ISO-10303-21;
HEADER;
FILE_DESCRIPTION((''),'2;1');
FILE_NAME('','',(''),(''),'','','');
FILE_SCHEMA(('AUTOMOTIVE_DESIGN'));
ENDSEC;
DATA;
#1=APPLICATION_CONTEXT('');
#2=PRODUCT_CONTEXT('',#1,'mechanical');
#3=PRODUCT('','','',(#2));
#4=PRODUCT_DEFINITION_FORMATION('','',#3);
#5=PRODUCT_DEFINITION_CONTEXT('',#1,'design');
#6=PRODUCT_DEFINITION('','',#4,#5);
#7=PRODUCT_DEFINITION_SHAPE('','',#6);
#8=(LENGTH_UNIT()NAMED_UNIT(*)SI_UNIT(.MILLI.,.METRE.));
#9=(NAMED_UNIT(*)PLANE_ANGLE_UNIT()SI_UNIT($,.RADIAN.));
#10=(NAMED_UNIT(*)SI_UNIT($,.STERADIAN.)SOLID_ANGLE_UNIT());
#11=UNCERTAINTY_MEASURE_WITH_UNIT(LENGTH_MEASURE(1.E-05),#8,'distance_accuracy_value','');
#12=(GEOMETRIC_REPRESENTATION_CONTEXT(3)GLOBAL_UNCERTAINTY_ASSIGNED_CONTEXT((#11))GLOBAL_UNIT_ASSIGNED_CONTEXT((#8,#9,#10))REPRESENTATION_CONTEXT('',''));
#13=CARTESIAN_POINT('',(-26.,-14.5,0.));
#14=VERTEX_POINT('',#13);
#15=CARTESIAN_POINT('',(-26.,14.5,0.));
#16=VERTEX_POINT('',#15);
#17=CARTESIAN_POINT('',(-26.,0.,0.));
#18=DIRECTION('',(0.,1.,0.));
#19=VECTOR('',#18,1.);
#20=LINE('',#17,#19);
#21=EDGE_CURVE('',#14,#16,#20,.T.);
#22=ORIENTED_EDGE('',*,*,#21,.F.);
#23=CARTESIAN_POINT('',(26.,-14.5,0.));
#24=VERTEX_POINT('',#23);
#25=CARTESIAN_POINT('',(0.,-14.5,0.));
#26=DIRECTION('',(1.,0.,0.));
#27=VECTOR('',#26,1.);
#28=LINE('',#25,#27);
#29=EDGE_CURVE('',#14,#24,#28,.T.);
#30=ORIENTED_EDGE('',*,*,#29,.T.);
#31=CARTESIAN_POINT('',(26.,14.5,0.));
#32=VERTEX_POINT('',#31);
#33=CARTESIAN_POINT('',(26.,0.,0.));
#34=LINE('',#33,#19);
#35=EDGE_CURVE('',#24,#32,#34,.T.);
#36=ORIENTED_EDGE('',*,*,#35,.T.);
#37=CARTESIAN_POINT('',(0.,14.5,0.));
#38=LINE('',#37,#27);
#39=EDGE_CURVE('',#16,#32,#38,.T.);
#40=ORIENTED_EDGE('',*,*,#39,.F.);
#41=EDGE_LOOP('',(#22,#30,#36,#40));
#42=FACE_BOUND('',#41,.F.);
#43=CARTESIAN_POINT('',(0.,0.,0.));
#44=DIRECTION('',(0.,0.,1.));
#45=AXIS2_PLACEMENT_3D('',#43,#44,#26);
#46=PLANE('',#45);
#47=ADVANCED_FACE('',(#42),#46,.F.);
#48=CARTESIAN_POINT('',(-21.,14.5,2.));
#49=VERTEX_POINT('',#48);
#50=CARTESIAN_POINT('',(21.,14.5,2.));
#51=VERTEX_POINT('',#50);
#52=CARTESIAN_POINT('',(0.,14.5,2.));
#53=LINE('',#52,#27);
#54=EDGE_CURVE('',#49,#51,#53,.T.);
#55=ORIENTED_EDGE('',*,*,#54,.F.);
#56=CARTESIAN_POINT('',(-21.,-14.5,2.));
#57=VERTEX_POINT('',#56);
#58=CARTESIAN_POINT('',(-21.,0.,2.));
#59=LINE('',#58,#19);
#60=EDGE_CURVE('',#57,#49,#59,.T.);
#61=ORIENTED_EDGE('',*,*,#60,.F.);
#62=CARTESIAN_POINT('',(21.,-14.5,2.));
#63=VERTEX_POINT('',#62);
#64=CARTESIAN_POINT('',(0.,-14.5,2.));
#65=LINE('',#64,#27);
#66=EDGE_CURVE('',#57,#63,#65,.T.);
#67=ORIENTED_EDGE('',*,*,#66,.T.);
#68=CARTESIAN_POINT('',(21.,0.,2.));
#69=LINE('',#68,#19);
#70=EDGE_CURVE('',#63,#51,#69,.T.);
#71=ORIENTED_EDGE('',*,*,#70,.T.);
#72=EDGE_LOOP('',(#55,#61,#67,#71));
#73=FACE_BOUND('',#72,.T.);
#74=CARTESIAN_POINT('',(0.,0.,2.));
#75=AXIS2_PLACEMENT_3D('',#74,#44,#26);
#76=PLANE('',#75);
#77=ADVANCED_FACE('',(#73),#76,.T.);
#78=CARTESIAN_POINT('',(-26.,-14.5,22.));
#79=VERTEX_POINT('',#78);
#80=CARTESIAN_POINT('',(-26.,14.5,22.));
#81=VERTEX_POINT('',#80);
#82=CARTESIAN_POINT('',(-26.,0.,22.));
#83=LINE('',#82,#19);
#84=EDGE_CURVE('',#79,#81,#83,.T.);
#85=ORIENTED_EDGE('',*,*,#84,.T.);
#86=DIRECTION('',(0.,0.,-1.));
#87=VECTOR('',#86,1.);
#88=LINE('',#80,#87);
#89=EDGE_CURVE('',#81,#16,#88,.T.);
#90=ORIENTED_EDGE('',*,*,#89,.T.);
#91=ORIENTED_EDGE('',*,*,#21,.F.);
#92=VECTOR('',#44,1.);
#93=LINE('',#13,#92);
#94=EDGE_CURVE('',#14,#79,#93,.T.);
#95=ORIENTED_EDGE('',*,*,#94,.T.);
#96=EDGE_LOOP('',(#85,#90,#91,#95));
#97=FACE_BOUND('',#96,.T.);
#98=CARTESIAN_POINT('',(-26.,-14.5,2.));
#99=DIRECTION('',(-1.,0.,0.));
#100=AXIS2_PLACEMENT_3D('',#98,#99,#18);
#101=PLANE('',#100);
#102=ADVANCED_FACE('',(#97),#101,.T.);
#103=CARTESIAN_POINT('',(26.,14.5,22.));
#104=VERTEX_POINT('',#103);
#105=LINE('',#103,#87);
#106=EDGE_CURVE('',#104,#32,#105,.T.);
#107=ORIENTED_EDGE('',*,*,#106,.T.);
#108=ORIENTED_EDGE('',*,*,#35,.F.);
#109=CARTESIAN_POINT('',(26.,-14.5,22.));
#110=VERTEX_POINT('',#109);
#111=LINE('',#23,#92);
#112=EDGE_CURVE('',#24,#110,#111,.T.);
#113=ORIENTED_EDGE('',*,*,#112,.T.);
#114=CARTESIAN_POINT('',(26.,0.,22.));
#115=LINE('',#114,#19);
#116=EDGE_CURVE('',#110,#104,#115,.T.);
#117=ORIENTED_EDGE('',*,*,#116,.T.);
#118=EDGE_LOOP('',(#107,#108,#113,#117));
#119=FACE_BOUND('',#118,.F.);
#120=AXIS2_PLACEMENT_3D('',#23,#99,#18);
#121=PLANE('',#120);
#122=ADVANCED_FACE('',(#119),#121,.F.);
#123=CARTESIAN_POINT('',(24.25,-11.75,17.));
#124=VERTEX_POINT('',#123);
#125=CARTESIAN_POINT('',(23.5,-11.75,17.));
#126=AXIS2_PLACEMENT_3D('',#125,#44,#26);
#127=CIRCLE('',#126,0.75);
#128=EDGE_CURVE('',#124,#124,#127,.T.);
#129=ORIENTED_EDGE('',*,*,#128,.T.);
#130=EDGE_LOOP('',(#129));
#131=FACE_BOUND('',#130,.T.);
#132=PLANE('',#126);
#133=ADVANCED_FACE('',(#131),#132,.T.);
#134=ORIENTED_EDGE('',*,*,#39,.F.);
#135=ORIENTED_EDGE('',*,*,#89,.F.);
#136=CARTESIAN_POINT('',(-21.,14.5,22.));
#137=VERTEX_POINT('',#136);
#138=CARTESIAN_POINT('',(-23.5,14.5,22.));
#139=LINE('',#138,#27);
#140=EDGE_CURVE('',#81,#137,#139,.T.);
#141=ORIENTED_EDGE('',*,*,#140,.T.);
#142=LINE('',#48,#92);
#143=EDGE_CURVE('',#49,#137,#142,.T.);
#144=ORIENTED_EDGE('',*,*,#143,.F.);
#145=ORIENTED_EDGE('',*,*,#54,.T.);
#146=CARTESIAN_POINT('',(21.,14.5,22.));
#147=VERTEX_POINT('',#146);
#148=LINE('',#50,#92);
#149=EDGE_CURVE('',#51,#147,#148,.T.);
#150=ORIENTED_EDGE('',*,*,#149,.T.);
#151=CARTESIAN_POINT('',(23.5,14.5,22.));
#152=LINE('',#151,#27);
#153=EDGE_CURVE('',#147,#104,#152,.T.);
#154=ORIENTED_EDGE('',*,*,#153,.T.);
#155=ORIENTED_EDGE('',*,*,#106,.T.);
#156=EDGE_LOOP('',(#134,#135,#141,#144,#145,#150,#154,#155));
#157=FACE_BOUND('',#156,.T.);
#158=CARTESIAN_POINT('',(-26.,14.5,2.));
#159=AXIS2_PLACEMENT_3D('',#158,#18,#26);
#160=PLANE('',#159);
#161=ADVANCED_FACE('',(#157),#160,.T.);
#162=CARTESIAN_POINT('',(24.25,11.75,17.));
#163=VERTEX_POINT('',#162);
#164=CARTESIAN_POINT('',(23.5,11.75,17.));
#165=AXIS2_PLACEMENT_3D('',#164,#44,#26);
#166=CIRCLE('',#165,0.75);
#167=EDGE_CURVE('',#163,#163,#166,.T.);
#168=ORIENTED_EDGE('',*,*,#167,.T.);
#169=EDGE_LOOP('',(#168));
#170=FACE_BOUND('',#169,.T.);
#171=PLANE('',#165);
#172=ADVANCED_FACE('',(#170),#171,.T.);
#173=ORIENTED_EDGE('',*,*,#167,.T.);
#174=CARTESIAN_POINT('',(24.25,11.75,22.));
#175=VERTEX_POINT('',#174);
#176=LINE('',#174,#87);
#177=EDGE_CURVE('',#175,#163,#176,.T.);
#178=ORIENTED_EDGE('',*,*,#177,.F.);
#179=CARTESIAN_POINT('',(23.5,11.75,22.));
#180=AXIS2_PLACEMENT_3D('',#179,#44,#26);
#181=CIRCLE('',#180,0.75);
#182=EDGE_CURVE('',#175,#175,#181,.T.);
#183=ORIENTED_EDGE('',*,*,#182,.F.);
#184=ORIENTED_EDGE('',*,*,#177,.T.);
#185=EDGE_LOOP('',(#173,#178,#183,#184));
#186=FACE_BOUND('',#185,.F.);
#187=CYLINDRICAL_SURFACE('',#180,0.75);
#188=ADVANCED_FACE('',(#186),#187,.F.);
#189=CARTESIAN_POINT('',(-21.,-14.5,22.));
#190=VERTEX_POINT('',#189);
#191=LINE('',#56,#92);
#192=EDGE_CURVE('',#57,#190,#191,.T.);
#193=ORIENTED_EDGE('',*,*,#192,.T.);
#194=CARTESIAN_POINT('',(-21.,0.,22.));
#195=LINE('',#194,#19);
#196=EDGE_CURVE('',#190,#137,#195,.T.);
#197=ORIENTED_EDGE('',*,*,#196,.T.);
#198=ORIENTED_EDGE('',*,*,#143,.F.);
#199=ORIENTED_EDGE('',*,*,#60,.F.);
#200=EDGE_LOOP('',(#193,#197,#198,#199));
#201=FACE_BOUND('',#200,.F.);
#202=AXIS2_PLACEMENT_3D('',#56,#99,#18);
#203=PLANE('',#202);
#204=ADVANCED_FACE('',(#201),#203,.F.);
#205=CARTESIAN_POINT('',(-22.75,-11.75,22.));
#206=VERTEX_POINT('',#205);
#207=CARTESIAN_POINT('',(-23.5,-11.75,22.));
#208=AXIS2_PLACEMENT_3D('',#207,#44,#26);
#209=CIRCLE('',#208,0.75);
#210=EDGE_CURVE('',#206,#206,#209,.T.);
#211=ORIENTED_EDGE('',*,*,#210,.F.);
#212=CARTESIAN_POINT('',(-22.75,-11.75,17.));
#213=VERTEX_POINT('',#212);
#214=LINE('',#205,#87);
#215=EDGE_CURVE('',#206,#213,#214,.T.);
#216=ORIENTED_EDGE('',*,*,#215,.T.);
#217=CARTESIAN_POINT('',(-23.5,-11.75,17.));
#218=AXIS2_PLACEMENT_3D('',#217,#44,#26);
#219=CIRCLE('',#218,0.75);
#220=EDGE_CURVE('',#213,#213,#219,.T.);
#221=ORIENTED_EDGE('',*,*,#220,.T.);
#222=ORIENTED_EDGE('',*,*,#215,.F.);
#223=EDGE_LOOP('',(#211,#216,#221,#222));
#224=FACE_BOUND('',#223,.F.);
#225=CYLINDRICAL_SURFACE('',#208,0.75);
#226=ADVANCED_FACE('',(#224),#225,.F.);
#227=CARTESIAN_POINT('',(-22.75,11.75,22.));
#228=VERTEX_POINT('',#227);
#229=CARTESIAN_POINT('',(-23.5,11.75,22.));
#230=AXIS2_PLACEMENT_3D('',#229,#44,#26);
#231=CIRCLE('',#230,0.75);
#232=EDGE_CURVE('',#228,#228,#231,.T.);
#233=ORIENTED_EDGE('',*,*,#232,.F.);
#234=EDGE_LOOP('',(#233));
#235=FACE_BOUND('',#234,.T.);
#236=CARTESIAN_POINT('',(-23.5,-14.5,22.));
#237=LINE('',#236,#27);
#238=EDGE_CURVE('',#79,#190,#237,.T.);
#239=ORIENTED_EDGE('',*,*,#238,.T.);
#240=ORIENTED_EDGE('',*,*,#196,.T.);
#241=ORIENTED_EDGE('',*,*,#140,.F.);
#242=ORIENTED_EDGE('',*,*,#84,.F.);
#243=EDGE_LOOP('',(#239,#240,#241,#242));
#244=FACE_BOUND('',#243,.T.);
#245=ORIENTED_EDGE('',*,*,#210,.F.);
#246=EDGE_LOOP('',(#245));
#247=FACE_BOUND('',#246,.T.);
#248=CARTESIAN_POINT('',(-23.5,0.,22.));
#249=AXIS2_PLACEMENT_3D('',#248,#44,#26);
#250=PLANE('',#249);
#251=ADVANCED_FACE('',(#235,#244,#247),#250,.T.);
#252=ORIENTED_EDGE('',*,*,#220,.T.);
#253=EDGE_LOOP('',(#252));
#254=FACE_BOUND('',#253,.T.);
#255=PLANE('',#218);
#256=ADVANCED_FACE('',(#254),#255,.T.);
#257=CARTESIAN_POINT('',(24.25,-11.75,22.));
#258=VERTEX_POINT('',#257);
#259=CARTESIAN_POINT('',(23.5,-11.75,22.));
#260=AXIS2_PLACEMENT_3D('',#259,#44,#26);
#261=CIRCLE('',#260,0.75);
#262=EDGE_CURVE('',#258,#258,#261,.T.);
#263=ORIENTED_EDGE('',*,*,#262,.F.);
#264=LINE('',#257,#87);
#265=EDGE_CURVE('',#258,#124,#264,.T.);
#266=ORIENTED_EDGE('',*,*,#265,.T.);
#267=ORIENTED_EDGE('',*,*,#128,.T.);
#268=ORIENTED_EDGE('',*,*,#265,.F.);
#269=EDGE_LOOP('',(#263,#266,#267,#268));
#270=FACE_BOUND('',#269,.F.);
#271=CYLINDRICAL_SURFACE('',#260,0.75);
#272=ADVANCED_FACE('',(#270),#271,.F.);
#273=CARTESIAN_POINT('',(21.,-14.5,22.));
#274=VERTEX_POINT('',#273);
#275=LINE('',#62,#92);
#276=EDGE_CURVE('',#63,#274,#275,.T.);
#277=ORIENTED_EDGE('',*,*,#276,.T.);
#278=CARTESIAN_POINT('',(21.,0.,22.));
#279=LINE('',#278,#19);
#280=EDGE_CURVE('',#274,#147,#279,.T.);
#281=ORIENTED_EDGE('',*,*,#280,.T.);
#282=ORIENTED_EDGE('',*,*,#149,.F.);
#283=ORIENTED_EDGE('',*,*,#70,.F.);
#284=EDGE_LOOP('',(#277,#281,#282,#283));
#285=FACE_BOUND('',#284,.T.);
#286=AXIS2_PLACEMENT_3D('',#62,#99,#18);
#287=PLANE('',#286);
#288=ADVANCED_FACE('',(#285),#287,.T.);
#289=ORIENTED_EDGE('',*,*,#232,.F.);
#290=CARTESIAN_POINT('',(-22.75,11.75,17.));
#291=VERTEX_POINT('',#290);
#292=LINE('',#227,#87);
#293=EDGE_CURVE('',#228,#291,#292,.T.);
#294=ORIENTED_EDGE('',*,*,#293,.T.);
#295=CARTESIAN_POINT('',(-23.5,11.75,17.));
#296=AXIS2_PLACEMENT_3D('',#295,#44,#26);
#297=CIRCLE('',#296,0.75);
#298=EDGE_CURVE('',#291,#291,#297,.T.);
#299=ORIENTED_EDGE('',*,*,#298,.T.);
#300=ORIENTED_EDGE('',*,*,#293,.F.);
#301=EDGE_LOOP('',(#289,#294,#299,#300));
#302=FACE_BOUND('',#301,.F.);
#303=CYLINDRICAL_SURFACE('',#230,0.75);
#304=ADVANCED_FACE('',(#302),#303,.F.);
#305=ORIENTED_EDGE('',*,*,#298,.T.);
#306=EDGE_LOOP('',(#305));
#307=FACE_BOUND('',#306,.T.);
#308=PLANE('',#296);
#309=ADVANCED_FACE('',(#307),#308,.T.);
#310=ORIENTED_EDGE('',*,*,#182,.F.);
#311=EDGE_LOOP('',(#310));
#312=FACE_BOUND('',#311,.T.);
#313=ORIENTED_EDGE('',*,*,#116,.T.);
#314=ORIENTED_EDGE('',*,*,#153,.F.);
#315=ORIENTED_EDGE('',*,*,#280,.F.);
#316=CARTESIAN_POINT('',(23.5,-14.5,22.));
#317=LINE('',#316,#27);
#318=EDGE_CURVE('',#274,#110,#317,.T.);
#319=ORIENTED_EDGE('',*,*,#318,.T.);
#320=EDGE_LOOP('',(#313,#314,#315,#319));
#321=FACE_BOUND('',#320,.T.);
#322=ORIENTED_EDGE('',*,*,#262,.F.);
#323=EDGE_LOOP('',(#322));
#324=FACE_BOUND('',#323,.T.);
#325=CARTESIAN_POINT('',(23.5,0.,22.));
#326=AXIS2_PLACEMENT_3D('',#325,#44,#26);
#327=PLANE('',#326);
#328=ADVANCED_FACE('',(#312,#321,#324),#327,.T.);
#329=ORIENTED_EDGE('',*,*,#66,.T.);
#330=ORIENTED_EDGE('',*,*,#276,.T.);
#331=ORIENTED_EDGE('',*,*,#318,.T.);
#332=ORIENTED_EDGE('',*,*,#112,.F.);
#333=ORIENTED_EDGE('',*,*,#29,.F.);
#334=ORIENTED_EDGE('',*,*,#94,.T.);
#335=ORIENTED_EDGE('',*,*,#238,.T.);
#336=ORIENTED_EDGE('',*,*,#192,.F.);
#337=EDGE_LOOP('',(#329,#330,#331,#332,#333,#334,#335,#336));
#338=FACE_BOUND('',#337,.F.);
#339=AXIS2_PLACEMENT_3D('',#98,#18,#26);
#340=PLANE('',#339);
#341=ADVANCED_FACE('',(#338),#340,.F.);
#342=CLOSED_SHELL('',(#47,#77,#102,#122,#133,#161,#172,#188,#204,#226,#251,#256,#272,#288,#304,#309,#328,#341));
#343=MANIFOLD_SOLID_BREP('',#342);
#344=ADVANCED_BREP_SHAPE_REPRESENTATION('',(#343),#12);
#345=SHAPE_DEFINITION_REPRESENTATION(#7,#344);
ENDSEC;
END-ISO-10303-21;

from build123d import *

# Parameters (mm, degrees)
SKETCH_W     = 52
SKETCH_H     = 29
PAD_DEPTH    = 2
SKETCH001_W  = 5
SKETCH001_H  = 29
PAD001_DEPTH = 20
SKETCH002_R  = 0.75
POCKET_DEPTH = 5


with BuildPart() as part:
    # Sketch → Pad (new body)
    with BuildSketch(Plane.XY):
        Rectangle(SKETCH_W, SKETCH_H)
    extrude(amount=PAD_DEPTH)

    # Sketch001 (on Face6 of Pad) → Pad001 (join)
    with BuildSketch(Plane.XY.offset(2)):
        with Locations((-23.5, 0)):
            Rectangle(SKETCH001_W, SKETCH001_H)
        with Locations((23.5, 0)):
            Rectangle(SKETCH001_W, SKETCH001_H)
    extrude(amount=PAD001_DEPTH)

    # Sketch002 (on Face12 of Pad001) → Pocket (cut)
    with BuildSketch(Plane.XY.offset(22)):
        with Locations((-23.5, 11.75)):
            Circle(SKETCH002_R)
        with Locations((-23.5, -11.75)):
            Circle(SKETCH002_R)
        with Locations((23.5, 11.75)):
            Circle(SKETCH002_R)
        with Locations((23.5, -11.75)):
            Circle(SKETCH002_R)
    extrude(amount=-POCKET_DEPTH, mode=Mode.SUBTRACT)


solid = part.part
